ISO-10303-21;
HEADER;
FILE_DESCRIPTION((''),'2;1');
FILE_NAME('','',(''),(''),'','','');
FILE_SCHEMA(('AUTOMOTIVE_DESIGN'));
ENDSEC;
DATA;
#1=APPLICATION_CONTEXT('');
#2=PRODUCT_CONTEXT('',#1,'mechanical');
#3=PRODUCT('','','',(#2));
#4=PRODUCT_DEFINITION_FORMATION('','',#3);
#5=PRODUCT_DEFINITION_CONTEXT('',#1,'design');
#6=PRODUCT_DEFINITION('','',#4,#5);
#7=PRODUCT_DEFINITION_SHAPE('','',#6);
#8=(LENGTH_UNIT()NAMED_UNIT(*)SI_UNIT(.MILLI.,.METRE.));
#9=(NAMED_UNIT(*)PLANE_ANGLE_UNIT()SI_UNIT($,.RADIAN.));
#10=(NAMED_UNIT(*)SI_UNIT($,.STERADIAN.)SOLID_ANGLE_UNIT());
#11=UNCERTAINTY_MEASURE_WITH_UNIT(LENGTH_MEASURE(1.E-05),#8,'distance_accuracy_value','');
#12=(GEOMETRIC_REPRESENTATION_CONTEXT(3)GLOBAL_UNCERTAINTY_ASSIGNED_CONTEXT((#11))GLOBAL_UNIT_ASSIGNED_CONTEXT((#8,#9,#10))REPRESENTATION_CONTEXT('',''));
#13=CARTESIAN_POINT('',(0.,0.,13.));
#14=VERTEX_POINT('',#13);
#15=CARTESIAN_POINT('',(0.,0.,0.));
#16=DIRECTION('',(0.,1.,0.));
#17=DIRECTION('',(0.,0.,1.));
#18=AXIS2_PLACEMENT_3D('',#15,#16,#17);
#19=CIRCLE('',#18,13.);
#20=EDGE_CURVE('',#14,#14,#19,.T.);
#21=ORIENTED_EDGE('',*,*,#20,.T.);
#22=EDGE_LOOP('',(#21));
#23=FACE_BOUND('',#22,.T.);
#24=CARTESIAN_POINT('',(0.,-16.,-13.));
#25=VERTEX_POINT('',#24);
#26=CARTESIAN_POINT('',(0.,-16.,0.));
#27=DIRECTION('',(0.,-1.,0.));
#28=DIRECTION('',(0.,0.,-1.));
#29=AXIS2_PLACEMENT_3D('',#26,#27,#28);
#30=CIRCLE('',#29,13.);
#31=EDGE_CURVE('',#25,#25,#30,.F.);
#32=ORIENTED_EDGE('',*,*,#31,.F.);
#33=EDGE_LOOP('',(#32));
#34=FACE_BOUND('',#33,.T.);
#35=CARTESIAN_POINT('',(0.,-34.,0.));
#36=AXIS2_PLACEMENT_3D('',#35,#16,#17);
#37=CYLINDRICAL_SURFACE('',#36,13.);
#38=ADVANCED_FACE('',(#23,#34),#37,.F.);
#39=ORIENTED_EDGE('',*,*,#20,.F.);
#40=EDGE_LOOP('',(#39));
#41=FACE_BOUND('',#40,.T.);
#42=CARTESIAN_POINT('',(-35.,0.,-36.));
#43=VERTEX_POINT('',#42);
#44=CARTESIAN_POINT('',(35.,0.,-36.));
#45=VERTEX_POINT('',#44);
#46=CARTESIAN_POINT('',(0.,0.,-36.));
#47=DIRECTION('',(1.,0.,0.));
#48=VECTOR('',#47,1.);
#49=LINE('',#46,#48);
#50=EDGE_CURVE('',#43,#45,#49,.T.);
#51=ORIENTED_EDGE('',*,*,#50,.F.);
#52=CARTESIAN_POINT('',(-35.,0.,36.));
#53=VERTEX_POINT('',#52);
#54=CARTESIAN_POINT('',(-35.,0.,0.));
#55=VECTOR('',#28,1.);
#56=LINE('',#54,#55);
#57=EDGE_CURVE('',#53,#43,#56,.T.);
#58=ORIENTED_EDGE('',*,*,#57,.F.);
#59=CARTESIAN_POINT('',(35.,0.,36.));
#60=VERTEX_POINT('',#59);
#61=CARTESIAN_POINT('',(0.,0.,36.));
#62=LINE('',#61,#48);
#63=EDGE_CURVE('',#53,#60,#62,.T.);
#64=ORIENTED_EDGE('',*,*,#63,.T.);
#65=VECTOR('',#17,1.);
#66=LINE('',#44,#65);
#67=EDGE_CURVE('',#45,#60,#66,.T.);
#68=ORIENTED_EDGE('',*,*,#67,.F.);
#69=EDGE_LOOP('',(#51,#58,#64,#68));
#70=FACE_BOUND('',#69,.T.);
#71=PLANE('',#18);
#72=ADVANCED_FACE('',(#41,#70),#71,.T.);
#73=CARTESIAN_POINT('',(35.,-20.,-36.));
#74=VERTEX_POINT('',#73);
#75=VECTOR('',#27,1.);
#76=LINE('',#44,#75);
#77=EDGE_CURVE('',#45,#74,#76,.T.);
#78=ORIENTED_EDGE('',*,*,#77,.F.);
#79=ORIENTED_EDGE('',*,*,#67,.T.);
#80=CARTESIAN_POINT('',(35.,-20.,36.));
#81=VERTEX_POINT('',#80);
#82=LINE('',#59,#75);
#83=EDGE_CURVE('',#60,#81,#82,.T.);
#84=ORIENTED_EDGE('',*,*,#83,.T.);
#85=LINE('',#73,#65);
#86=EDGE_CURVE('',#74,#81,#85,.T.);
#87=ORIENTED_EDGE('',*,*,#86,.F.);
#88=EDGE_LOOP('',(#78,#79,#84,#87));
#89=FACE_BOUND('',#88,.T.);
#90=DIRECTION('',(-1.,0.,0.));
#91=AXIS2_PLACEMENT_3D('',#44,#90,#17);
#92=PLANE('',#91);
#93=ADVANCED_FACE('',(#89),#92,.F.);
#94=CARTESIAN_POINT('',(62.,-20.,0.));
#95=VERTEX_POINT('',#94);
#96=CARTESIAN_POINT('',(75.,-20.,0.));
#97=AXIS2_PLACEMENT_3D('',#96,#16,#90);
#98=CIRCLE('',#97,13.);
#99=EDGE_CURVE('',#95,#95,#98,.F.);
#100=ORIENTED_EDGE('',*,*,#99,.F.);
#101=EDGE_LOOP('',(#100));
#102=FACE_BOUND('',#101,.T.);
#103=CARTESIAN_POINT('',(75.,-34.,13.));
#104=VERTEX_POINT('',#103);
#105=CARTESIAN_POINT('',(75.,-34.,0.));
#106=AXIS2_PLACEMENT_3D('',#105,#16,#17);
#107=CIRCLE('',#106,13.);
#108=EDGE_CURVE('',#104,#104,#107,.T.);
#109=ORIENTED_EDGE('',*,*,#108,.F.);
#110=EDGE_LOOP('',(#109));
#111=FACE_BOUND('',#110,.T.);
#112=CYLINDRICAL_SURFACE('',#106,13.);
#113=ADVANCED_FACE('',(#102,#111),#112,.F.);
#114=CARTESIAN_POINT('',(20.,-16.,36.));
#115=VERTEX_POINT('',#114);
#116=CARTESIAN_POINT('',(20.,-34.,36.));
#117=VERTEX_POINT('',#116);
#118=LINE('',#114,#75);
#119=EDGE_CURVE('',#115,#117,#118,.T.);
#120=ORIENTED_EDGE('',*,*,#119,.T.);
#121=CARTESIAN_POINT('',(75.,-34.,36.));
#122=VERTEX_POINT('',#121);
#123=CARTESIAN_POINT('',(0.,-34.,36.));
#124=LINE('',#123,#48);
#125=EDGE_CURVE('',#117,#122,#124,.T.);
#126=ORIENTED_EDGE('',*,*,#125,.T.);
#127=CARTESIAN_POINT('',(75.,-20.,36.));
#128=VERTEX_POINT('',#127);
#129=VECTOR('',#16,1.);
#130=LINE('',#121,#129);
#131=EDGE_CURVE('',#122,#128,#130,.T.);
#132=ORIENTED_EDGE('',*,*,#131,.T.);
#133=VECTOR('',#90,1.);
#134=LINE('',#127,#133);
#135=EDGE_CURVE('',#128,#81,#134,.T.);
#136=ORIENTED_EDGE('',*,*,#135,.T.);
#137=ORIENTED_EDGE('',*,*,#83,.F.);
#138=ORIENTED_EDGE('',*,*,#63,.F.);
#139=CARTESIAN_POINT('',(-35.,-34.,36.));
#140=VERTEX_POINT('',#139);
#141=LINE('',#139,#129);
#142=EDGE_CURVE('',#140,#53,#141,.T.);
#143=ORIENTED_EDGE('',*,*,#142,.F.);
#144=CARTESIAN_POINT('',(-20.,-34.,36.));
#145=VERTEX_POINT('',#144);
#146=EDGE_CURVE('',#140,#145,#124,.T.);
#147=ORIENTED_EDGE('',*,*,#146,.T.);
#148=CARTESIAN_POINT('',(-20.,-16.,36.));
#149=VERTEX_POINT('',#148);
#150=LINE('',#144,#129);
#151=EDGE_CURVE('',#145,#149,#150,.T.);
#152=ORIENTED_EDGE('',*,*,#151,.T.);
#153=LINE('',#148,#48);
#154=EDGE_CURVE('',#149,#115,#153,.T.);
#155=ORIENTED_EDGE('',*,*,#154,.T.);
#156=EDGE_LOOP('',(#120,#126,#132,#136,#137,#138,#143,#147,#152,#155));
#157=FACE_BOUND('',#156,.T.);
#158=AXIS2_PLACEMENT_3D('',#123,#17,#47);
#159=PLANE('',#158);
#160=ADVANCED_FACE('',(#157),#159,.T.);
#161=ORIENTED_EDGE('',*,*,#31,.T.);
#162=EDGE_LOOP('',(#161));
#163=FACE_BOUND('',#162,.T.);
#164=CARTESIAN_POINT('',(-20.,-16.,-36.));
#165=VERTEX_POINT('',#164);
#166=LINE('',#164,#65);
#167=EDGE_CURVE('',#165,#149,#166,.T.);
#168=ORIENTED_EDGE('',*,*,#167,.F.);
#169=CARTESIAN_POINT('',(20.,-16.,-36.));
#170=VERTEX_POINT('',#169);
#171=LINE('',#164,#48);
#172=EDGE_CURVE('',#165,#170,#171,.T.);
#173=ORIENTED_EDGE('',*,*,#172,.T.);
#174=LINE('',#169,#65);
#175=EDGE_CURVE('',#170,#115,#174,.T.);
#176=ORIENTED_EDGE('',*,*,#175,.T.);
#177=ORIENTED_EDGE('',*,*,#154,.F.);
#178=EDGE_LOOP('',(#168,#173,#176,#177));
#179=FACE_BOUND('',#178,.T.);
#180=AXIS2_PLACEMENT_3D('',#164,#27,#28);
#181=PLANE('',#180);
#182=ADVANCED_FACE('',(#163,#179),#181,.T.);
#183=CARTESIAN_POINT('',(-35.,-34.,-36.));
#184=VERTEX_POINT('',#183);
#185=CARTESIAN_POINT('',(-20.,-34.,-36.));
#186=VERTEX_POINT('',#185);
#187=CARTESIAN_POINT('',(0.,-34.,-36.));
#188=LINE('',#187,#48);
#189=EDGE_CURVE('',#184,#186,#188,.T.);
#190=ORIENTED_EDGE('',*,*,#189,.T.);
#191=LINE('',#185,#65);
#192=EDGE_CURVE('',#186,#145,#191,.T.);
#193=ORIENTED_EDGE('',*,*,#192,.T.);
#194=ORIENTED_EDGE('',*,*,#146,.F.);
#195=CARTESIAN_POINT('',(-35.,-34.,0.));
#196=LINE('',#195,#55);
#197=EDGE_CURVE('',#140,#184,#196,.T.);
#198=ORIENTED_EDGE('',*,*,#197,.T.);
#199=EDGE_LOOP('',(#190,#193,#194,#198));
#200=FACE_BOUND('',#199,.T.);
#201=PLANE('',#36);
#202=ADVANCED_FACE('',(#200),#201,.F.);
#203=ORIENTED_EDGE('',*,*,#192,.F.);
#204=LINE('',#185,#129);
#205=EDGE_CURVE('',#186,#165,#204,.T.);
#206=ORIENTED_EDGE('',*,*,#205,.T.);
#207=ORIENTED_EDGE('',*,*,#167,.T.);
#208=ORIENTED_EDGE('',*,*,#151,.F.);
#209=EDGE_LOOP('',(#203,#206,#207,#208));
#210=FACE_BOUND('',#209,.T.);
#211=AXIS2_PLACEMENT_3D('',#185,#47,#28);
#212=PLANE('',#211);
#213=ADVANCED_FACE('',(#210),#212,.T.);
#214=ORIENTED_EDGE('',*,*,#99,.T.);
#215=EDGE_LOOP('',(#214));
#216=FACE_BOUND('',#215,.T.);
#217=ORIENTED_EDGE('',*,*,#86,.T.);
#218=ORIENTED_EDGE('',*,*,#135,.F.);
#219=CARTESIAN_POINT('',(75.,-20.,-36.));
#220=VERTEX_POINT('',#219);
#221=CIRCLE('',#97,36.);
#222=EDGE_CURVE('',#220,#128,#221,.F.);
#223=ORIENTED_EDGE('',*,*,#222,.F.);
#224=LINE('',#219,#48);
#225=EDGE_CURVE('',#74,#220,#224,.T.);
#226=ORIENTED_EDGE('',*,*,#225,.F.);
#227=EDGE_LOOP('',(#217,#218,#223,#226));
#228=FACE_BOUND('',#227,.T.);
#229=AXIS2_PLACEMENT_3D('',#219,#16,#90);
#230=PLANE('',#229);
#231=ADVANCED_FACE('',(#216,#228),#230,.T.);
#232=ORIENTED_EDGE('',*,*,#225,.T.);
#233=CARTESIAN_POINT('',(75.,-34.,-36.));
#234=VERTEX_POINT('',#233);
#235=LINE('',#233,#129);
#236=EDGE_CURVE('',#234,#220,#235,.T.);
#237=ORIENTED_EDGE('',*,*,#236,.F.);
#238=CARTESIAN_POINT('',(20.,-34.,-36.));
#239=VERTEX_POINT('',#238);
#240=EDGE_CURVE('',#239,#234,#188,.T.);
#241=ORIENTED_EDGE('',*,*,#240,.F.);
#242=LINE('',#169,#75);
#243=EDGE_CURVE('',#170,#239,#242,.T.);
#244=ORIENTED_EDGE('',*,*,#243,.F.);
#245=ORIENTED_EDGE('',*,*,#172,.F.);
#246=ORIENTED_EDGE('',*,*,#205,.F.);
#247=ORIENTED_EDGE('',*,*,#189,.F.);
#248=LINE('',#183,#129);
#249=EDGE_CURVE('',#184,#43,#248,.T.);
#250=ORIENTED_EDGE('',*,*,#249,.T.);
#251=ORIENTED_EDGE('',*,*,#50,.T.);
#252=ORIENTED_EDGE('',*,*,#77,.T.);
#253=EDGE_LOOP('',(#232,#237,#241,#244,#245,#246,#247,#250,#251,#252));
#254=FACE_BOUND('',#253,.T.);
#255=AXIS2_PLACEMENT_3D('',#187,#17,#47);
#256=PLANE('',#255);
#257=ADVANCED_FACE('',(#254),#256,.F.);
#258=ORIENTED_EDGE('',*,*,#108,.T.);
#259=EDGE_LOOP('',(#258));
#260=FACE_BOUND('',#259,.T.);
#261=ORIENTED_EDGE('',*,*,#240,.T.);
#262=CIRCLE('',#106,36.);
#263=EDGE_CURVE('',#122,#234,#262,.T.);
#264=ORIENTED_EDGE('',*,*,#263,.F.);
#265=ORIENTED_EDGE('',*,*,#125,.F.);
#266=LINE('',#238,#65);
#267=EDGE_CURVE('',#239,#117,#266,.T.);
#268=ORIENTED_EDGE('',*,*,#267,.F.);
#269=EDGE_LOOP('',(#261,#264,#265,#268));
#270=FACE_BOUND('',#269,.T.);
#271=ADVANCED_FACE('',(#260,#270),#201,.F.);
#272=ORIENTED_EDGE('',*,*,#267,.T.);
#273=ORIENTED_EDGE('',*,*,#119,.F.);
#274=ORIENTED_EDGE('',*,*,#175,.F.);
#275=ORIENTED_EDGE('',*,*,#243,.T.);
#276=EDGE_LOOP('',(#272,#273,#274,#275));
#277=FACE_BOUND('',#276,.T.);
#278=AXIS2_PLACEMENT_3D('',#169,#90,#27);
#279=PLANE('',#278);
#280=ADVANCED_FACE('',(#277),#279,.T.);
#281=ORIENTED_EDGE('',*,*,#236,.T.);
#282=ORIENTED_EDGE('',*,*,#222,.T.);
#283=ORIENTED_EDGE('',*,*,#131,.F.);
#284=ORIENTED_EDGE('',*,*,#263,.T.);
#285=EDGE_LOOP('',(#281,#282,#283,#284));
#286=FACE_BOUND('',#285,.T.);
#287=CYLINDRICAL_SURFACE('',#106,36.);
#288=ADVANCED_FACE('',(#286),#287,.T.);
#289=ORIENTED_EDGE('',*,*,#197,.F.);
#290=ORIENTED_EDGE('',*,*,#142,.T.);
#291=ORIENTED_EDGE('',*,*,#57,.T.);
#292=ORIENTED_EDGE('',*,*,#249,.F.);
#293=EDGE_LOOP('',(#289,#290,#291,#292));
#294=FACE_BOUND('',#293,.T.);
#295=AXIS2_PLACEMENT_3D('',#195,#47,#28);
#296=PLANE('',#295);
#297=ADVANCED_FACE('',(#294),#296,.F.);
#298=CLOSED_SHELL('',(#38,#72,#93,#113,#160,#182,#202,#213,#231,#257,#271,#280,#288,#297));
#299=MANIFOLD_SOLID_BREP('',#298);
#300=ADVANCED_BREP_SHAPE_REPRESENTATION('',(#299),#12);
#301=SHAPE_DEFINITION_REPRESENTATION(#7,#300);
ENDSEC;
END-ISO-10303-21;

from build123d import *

# Parameters (mm, degrees)
IZIM2_R                     = 13
IZIM2_W                     = 70
IZIM2_H                     = 72
Y_KSEKLIK_EKSTR_ZYON1_DEPTH = 34
IZIM3_OUTSIDE_W             = 181.26
IZIM3_OUTSIDE_H             = 69.26
KES_EKSTR_ZYON4_DEPTH       = 73


with BuildPart() as part:
    # Çizim2 → Yükseklik-Ekstrüzyon1 (new body)
    with BuildSketch(Plane(origin=(0, 0, 0), x_dir=(1, 0, 0), z_dir=(0, 1, 0))):
        with BuildLine():
            Line((35, 36), (35, -36))
            Line((35, -36), (75, -36))
            ThreePointArc((75, -36), (111, 0), (75, 36))
            Line((75, 36), (35, 36))
        make_face()
        with Locations((75, 0)):
            Circle(IZIM2_R, mode=Mode.SUBTRACT)
        Rectangle(IZIM2_W, IZIM2_H)
        Circle(IZIM2_R, mode=Mode.SUBTRACT)
    extrude(amount=-Y_KSEKLIK_EKSTR_ZYON1_DEPTH)

    # Çizim3 outside → Kes-Ekstrüzyon4 (cut, through all)
    with BuildSketch(Plane.XY.offset(36)):
        with Locations((38, -17)):
            Rectangle(IZIM3_OUTSIDE_W, IZIM3_OUTSIDE_H)
        Polygon((-35, 0), (-35, -34), (-20, -34), (-20, -16), (20, -16), (20, -34), (75, -34), (111, -34), (111, -20), (75, -20), (35, -20), (35, 0), align=None, mode=Mode.SUBTRACT)
    extrude(amount=-KES_EKSTR_ZYON4_DEPTH, mode=Mode.SUBTRACT)


solid = part.part
